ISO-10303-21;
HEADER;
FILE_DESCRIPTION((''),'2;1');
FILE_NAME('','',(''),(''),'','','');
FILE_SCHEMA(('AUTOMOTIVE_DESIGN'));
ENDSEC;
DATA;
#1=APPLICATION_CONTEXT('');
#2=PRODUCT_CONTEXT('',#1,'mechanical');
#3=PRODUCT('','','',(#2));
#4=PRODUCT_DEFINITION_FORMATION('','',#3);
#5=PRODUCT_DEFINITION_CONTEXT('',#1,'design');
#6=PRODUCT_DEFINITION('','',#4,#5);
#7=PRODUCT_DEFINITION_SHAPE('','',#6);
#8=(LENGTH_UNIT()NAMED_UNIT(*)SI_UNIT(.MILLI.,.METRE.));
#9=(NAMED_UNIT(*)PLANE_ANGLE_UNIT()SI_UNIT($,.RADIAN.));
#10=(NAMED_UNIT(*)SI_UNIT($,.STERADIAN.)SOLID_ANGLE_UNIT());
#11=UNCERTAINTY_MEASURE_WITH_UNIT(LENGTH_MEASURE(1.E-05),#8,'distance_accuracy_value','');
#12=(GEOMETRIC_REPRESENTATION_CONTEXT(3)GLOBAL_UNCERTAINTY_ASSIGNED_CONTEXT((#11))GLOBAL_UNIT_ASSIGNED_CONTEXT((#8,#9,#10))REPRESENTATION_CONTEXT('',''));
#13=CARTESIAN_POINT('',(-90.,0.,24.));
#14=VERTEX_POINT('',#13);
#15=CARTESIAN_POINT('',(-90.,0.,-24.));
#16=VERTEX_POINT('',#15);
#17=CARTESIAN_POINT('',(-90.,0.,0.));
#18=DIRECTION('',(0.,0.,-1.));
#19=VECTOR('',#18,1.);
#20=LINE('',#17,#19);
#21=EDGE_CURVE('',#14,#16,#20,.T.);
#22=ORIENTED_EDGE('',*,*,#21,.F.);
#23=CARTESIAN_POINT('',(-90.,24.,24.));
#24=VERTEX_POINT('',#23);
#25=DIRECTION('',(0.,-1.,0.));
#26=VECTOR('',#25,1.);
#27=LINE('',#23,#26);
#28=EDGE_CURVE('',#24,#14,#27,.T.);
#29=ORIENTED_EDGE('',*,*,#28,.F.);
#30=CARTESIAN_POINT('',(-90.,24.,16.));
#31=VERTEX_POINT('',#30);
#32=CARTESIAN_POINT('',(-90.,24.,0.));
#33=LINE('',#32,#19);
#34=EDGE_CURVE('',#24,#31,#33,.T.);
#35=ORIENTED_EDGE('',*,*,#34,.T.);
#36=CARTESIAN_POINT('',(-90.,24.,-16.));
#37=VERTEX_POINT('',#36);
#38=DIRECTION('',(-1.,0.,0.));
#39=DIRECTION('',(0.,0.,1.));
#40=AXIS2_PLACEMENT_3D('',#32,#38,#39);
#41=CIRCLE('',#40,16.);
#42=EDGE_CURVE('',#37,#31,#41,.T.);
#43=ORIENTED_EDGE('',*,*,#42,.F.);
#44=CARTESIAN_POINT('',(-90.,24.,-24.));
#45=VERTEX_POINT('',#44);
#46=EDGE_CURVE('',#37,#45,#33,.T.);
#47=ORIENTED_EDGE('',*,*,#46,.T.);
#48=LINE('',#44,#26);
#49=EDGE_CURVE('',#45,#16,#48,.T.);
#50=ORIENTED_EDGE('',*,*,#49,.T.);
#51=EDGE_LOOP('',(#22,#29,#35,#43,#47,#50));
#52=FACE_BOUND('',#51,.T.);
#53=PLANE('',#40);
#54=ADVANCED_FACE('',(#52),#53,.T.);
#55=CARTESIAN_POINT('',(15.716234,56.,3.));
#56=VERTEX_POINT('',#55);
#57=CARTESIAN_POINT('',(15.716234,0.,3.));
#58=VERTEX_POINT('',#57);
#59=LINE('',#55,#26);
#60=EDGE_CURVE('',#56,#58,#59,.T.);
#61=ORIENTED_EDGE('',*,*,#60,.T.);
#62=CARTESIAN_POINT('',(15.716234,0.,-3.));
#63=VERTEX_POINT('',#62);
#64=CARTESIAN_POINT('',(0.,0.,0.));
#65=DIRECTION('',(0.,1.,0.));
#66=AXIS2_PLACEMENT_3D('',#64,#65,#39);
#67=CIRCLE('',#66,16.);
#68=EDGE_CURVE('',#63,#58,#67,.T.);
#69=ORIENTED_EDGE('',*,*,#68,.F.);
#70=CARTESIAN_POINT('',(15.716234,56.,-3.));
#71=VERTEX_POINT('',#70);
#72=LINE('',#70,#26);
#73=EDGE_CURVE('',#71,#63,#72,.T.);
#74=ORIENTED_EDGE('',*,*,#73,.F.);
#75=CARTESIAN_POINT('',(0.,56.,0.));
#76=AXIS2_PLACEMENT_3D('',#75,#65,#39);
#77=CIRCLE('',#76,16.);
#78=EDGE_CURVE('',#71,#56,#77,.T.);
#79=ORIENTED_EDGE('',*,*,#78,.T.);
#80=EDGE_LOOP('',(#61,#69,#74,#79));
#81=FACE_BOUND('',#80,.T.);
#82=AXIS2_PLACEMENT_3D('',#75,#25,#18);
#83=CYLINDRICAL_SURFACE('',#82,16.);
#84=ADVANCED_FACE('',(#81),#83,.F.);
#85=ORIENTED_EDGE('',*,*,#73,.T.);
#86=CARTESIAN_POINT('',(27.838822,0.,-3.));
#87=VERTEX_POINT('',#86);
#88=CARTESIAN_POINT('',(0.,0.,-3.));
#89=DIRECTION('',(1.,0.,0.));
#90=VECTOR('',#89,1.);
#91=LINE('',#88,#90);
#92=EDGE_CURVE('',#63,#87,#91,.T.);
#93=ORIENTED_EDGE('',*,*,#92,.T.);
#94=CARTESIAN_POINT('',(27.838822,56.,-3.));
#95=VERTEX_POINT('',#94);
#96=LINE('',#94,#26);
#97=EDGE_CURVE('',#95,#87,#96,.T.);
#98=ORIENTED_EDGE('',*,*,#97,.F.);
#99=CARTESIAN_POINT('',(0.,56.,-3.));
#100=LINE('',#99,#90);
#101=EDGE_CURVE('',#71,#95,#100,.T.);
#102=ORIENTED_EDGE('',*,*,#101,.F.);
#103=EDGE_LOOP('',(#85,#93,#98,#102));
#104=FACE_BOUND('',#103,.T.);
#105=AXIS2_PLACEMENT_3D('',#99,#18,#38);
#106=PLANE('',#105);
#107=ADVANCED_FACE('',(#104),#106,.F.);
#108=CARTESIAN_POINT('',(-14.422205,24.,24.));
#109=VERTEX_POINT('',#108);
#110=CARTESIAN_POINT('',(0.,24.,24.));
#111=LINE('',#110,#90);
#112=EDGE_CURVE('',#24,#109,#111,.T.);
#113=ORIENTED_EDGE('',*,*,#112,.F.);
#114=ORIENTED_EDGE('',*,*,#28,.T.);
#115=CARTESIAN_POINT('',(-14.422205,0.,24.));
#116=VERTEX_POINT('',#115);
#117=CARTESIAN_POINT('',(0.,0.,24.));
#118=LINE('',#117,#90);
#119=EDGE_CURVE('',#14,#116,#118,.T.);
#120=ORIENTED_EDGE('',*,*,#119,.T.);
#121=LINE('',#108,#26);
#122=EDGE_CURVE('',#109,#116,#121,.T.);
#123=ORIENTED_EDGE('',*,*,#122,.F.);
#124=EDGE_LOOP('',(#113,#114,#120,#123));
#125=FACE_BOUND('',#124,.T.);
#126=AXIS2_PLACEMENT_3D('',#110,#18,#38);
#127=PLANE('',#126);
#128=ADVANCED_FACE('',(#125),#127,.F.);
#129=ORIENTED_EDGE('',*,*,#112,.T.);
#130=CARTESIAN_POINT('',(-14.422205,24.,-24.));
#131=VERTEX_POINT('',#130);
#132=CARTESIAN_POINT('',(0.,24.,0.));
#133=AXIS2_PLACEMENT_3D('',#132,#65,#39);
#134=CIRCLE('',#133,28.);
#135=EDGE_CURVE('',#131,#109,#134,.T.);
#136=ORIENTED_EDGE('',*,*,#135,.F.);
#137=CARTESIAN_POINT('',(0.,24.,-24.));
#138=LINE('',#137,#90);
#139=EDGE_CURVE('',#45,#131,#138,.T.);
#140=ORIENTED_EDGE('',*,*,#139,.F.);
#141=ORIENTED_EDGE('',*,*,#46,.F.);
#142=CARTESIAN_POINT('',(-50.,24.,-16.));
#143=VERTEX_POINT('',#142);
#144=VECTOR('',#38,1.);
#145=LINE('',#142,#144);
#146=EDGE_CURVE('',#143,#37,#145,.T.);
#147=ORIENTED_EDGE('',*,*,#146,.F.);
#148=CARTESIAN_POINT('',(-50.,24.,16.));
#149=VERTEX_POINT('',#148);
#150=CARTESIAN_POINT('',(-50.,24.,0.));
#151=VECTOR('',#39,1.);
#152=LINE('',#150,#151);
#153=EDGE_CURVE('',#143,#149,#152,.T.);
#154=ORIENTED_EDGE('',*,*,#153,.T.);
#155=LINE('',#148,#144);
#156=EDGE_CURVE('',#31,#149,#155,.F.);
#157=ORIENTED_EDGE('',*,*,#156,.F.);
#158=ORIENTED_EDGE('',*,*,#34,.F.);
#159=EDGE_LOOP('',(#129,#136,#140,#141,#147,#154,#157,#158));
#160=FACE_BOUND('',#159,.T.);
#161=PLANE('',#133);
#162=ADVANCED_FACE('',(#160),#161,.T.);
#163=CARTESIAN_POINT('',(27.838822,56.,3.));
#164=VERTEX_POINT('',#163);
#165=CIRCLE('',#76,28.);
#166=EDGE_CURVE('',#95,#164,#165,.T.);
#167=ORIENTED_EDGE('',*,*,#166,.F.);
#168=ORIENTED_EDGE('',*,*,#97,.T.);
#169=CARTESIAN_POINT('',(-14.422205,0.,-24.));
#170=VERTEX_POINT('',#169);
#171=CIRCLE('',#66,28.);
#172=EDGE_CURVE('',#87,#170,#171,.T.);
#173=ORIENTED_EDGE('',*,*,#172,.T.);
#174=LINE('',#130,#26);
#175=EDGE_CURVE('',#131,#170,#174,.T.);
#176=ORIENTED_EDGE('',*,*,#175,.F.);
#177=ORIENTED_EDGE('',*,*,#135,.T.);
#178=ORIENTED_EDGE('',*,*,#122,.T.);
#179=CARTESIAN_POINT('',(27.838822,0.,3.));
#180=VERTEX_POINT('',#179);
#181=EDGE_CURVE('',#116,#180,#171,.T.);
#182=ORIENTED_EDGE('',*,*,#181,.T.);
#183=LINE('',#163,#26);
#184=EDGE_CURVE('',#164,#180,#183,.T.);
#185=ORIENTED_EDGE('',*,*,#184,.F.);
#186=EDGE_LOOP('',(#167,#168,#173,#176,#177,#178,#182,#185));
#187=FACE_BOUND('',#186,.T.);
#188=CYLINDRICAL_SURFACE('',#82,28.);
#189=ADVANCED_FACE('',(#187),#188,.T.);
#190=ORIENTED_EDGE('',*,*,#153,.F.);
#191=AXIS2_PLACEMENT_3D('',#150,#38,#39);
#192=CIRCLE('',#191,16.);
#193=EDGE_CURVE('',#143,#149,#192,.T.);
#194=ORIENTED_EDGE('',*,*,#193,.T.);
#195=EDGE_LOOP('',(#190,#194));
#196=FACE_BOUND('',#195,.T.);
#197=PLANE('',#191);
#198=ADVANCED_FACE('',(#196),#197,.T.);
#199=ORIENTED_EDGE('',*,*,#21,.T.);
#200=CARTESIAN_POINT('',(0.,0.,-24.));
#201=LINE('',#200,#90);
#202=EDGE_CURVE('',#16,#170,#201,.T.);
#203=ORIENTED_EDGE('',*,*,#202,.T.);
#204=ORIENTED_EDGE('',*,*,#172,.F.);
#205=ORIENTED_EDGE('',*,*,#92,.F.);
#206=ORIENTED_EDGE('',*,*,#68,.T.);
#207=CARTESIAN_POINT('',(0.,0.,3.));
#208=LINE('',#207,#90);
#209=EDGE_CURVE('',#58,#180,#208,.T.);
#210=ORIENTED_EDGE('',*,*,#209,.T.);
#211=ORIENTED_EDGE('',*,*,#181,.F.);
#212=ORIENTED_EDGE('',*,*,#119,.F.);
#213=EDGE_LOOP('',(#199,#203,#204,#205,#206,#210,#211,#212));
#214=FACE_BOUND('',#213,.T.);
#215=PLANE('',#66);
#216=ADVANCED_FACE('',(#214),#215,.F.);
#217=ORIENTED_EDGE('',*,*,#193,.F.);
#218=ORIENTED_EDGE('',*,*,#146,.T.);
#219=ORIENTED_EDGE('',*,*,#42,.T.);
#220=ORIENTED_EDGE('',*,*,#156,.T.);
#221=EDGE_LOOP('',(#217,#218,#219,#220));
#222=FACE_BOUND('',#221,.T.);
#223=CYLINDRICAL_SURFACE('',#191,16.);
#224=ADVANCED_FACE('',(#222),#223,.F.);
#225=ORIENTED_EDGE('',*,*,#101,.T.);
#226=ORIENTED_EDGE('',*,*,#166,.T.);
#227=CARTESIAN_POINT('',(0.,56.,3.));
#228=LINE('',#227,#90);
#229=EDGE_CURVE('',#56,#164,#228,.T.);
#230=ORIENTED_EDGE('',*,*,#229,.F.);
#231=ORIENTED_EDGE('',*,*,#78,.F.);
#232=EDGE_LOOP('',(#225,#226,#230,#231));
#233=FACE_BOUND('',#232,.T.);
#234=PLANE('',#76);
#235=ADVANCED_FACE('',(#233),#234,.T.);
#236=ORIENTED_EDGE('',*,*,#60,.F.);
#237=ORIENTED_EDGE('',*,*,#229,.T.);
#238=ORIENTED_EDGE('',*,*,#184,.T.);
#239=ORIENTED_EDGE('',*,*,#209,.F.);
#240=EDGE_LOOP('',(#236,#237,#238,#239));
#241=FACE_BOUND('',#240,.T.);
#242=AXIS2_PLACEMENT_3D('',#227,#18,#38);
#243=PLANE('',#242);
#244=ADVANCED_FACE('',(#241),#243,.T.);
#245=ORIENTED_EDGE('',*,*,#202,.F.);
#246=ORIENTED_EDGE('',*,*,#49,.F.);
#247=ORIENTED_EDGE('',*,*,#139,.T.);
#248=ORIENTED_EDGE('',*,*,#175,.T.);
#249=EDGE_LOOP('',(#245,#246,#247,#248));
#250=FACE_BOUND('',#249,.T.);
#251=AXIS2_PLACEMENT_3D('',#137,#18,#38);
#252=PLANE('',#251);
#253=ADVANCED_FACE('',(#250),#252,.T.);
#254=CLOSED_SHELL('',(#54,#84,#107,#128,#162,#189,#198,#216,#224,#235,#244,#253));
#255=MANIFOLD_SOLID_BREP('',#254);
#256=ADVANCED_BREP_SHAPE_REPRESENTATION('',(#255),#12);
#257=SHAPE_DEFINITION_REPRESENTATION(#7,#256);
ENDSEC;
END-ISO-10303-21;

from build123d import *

# Parameters (mm, degrees)
BOSS_EXTRUDE4_DEPTH = 56
BOSS_EXTRUDE5_DEPTH = 24
SKETCH7_R           = 16
CUT_EXTRUDE1_DEPTH  = 40


with BuildPart() as part:
    # Sketch5 → Boss-Extrude4 (new body)
    with BuildSketch(Plane(origin=(0, 0, 0), x_dir=(1, 0, 0), z_dir=(0, 1, 0))):
        with BuildLine():
            Line((27.838821814, -3), (15.716233646, -3))
            ThreePointArc((15.716233646, -3), (-16, 0), (15.716233646, 3))
            Line((15.716233646, 3), (27.838821814, 3))
            ThreePointArc((27.838821814, 3), (-28, 0), (27.838821814, -3))
        make_face()
    extrude(amount=BOSS_EXTRUDE4_DEPTH)

    # Sketch6 → Boss-Extrude5 (add)
    with BuildSketch(Plane(origin=(0, 0, 0), x_dir=(1, 0, 0), z_dir=(0, 1, 0))):
        with BuildLine():
            Line((-90, 24), (-90, -24))
            Line((-90, -24), (-14.422205102, -24))
            ThreePointArc((-14.422205102, -24), (-28, 0), (-14.422205102, 24))
            Line((-14.422205102, 24), (-90, 24))
        make_face()
    extrude(amount=BOSS_EXTRUDE5_DEPTH)

    # Sketch7 → Cut-Extrude1 (cut)
    with BuildSketch(Plane.ZY.offset(90)):
        with Locations((0, 24)):
            Circle(SKETCH7_R)
    extrude(amount=-CUT_EXTRUDE1_DEPTH, mode=Mode.SUBTRACT)


solid = part.part
